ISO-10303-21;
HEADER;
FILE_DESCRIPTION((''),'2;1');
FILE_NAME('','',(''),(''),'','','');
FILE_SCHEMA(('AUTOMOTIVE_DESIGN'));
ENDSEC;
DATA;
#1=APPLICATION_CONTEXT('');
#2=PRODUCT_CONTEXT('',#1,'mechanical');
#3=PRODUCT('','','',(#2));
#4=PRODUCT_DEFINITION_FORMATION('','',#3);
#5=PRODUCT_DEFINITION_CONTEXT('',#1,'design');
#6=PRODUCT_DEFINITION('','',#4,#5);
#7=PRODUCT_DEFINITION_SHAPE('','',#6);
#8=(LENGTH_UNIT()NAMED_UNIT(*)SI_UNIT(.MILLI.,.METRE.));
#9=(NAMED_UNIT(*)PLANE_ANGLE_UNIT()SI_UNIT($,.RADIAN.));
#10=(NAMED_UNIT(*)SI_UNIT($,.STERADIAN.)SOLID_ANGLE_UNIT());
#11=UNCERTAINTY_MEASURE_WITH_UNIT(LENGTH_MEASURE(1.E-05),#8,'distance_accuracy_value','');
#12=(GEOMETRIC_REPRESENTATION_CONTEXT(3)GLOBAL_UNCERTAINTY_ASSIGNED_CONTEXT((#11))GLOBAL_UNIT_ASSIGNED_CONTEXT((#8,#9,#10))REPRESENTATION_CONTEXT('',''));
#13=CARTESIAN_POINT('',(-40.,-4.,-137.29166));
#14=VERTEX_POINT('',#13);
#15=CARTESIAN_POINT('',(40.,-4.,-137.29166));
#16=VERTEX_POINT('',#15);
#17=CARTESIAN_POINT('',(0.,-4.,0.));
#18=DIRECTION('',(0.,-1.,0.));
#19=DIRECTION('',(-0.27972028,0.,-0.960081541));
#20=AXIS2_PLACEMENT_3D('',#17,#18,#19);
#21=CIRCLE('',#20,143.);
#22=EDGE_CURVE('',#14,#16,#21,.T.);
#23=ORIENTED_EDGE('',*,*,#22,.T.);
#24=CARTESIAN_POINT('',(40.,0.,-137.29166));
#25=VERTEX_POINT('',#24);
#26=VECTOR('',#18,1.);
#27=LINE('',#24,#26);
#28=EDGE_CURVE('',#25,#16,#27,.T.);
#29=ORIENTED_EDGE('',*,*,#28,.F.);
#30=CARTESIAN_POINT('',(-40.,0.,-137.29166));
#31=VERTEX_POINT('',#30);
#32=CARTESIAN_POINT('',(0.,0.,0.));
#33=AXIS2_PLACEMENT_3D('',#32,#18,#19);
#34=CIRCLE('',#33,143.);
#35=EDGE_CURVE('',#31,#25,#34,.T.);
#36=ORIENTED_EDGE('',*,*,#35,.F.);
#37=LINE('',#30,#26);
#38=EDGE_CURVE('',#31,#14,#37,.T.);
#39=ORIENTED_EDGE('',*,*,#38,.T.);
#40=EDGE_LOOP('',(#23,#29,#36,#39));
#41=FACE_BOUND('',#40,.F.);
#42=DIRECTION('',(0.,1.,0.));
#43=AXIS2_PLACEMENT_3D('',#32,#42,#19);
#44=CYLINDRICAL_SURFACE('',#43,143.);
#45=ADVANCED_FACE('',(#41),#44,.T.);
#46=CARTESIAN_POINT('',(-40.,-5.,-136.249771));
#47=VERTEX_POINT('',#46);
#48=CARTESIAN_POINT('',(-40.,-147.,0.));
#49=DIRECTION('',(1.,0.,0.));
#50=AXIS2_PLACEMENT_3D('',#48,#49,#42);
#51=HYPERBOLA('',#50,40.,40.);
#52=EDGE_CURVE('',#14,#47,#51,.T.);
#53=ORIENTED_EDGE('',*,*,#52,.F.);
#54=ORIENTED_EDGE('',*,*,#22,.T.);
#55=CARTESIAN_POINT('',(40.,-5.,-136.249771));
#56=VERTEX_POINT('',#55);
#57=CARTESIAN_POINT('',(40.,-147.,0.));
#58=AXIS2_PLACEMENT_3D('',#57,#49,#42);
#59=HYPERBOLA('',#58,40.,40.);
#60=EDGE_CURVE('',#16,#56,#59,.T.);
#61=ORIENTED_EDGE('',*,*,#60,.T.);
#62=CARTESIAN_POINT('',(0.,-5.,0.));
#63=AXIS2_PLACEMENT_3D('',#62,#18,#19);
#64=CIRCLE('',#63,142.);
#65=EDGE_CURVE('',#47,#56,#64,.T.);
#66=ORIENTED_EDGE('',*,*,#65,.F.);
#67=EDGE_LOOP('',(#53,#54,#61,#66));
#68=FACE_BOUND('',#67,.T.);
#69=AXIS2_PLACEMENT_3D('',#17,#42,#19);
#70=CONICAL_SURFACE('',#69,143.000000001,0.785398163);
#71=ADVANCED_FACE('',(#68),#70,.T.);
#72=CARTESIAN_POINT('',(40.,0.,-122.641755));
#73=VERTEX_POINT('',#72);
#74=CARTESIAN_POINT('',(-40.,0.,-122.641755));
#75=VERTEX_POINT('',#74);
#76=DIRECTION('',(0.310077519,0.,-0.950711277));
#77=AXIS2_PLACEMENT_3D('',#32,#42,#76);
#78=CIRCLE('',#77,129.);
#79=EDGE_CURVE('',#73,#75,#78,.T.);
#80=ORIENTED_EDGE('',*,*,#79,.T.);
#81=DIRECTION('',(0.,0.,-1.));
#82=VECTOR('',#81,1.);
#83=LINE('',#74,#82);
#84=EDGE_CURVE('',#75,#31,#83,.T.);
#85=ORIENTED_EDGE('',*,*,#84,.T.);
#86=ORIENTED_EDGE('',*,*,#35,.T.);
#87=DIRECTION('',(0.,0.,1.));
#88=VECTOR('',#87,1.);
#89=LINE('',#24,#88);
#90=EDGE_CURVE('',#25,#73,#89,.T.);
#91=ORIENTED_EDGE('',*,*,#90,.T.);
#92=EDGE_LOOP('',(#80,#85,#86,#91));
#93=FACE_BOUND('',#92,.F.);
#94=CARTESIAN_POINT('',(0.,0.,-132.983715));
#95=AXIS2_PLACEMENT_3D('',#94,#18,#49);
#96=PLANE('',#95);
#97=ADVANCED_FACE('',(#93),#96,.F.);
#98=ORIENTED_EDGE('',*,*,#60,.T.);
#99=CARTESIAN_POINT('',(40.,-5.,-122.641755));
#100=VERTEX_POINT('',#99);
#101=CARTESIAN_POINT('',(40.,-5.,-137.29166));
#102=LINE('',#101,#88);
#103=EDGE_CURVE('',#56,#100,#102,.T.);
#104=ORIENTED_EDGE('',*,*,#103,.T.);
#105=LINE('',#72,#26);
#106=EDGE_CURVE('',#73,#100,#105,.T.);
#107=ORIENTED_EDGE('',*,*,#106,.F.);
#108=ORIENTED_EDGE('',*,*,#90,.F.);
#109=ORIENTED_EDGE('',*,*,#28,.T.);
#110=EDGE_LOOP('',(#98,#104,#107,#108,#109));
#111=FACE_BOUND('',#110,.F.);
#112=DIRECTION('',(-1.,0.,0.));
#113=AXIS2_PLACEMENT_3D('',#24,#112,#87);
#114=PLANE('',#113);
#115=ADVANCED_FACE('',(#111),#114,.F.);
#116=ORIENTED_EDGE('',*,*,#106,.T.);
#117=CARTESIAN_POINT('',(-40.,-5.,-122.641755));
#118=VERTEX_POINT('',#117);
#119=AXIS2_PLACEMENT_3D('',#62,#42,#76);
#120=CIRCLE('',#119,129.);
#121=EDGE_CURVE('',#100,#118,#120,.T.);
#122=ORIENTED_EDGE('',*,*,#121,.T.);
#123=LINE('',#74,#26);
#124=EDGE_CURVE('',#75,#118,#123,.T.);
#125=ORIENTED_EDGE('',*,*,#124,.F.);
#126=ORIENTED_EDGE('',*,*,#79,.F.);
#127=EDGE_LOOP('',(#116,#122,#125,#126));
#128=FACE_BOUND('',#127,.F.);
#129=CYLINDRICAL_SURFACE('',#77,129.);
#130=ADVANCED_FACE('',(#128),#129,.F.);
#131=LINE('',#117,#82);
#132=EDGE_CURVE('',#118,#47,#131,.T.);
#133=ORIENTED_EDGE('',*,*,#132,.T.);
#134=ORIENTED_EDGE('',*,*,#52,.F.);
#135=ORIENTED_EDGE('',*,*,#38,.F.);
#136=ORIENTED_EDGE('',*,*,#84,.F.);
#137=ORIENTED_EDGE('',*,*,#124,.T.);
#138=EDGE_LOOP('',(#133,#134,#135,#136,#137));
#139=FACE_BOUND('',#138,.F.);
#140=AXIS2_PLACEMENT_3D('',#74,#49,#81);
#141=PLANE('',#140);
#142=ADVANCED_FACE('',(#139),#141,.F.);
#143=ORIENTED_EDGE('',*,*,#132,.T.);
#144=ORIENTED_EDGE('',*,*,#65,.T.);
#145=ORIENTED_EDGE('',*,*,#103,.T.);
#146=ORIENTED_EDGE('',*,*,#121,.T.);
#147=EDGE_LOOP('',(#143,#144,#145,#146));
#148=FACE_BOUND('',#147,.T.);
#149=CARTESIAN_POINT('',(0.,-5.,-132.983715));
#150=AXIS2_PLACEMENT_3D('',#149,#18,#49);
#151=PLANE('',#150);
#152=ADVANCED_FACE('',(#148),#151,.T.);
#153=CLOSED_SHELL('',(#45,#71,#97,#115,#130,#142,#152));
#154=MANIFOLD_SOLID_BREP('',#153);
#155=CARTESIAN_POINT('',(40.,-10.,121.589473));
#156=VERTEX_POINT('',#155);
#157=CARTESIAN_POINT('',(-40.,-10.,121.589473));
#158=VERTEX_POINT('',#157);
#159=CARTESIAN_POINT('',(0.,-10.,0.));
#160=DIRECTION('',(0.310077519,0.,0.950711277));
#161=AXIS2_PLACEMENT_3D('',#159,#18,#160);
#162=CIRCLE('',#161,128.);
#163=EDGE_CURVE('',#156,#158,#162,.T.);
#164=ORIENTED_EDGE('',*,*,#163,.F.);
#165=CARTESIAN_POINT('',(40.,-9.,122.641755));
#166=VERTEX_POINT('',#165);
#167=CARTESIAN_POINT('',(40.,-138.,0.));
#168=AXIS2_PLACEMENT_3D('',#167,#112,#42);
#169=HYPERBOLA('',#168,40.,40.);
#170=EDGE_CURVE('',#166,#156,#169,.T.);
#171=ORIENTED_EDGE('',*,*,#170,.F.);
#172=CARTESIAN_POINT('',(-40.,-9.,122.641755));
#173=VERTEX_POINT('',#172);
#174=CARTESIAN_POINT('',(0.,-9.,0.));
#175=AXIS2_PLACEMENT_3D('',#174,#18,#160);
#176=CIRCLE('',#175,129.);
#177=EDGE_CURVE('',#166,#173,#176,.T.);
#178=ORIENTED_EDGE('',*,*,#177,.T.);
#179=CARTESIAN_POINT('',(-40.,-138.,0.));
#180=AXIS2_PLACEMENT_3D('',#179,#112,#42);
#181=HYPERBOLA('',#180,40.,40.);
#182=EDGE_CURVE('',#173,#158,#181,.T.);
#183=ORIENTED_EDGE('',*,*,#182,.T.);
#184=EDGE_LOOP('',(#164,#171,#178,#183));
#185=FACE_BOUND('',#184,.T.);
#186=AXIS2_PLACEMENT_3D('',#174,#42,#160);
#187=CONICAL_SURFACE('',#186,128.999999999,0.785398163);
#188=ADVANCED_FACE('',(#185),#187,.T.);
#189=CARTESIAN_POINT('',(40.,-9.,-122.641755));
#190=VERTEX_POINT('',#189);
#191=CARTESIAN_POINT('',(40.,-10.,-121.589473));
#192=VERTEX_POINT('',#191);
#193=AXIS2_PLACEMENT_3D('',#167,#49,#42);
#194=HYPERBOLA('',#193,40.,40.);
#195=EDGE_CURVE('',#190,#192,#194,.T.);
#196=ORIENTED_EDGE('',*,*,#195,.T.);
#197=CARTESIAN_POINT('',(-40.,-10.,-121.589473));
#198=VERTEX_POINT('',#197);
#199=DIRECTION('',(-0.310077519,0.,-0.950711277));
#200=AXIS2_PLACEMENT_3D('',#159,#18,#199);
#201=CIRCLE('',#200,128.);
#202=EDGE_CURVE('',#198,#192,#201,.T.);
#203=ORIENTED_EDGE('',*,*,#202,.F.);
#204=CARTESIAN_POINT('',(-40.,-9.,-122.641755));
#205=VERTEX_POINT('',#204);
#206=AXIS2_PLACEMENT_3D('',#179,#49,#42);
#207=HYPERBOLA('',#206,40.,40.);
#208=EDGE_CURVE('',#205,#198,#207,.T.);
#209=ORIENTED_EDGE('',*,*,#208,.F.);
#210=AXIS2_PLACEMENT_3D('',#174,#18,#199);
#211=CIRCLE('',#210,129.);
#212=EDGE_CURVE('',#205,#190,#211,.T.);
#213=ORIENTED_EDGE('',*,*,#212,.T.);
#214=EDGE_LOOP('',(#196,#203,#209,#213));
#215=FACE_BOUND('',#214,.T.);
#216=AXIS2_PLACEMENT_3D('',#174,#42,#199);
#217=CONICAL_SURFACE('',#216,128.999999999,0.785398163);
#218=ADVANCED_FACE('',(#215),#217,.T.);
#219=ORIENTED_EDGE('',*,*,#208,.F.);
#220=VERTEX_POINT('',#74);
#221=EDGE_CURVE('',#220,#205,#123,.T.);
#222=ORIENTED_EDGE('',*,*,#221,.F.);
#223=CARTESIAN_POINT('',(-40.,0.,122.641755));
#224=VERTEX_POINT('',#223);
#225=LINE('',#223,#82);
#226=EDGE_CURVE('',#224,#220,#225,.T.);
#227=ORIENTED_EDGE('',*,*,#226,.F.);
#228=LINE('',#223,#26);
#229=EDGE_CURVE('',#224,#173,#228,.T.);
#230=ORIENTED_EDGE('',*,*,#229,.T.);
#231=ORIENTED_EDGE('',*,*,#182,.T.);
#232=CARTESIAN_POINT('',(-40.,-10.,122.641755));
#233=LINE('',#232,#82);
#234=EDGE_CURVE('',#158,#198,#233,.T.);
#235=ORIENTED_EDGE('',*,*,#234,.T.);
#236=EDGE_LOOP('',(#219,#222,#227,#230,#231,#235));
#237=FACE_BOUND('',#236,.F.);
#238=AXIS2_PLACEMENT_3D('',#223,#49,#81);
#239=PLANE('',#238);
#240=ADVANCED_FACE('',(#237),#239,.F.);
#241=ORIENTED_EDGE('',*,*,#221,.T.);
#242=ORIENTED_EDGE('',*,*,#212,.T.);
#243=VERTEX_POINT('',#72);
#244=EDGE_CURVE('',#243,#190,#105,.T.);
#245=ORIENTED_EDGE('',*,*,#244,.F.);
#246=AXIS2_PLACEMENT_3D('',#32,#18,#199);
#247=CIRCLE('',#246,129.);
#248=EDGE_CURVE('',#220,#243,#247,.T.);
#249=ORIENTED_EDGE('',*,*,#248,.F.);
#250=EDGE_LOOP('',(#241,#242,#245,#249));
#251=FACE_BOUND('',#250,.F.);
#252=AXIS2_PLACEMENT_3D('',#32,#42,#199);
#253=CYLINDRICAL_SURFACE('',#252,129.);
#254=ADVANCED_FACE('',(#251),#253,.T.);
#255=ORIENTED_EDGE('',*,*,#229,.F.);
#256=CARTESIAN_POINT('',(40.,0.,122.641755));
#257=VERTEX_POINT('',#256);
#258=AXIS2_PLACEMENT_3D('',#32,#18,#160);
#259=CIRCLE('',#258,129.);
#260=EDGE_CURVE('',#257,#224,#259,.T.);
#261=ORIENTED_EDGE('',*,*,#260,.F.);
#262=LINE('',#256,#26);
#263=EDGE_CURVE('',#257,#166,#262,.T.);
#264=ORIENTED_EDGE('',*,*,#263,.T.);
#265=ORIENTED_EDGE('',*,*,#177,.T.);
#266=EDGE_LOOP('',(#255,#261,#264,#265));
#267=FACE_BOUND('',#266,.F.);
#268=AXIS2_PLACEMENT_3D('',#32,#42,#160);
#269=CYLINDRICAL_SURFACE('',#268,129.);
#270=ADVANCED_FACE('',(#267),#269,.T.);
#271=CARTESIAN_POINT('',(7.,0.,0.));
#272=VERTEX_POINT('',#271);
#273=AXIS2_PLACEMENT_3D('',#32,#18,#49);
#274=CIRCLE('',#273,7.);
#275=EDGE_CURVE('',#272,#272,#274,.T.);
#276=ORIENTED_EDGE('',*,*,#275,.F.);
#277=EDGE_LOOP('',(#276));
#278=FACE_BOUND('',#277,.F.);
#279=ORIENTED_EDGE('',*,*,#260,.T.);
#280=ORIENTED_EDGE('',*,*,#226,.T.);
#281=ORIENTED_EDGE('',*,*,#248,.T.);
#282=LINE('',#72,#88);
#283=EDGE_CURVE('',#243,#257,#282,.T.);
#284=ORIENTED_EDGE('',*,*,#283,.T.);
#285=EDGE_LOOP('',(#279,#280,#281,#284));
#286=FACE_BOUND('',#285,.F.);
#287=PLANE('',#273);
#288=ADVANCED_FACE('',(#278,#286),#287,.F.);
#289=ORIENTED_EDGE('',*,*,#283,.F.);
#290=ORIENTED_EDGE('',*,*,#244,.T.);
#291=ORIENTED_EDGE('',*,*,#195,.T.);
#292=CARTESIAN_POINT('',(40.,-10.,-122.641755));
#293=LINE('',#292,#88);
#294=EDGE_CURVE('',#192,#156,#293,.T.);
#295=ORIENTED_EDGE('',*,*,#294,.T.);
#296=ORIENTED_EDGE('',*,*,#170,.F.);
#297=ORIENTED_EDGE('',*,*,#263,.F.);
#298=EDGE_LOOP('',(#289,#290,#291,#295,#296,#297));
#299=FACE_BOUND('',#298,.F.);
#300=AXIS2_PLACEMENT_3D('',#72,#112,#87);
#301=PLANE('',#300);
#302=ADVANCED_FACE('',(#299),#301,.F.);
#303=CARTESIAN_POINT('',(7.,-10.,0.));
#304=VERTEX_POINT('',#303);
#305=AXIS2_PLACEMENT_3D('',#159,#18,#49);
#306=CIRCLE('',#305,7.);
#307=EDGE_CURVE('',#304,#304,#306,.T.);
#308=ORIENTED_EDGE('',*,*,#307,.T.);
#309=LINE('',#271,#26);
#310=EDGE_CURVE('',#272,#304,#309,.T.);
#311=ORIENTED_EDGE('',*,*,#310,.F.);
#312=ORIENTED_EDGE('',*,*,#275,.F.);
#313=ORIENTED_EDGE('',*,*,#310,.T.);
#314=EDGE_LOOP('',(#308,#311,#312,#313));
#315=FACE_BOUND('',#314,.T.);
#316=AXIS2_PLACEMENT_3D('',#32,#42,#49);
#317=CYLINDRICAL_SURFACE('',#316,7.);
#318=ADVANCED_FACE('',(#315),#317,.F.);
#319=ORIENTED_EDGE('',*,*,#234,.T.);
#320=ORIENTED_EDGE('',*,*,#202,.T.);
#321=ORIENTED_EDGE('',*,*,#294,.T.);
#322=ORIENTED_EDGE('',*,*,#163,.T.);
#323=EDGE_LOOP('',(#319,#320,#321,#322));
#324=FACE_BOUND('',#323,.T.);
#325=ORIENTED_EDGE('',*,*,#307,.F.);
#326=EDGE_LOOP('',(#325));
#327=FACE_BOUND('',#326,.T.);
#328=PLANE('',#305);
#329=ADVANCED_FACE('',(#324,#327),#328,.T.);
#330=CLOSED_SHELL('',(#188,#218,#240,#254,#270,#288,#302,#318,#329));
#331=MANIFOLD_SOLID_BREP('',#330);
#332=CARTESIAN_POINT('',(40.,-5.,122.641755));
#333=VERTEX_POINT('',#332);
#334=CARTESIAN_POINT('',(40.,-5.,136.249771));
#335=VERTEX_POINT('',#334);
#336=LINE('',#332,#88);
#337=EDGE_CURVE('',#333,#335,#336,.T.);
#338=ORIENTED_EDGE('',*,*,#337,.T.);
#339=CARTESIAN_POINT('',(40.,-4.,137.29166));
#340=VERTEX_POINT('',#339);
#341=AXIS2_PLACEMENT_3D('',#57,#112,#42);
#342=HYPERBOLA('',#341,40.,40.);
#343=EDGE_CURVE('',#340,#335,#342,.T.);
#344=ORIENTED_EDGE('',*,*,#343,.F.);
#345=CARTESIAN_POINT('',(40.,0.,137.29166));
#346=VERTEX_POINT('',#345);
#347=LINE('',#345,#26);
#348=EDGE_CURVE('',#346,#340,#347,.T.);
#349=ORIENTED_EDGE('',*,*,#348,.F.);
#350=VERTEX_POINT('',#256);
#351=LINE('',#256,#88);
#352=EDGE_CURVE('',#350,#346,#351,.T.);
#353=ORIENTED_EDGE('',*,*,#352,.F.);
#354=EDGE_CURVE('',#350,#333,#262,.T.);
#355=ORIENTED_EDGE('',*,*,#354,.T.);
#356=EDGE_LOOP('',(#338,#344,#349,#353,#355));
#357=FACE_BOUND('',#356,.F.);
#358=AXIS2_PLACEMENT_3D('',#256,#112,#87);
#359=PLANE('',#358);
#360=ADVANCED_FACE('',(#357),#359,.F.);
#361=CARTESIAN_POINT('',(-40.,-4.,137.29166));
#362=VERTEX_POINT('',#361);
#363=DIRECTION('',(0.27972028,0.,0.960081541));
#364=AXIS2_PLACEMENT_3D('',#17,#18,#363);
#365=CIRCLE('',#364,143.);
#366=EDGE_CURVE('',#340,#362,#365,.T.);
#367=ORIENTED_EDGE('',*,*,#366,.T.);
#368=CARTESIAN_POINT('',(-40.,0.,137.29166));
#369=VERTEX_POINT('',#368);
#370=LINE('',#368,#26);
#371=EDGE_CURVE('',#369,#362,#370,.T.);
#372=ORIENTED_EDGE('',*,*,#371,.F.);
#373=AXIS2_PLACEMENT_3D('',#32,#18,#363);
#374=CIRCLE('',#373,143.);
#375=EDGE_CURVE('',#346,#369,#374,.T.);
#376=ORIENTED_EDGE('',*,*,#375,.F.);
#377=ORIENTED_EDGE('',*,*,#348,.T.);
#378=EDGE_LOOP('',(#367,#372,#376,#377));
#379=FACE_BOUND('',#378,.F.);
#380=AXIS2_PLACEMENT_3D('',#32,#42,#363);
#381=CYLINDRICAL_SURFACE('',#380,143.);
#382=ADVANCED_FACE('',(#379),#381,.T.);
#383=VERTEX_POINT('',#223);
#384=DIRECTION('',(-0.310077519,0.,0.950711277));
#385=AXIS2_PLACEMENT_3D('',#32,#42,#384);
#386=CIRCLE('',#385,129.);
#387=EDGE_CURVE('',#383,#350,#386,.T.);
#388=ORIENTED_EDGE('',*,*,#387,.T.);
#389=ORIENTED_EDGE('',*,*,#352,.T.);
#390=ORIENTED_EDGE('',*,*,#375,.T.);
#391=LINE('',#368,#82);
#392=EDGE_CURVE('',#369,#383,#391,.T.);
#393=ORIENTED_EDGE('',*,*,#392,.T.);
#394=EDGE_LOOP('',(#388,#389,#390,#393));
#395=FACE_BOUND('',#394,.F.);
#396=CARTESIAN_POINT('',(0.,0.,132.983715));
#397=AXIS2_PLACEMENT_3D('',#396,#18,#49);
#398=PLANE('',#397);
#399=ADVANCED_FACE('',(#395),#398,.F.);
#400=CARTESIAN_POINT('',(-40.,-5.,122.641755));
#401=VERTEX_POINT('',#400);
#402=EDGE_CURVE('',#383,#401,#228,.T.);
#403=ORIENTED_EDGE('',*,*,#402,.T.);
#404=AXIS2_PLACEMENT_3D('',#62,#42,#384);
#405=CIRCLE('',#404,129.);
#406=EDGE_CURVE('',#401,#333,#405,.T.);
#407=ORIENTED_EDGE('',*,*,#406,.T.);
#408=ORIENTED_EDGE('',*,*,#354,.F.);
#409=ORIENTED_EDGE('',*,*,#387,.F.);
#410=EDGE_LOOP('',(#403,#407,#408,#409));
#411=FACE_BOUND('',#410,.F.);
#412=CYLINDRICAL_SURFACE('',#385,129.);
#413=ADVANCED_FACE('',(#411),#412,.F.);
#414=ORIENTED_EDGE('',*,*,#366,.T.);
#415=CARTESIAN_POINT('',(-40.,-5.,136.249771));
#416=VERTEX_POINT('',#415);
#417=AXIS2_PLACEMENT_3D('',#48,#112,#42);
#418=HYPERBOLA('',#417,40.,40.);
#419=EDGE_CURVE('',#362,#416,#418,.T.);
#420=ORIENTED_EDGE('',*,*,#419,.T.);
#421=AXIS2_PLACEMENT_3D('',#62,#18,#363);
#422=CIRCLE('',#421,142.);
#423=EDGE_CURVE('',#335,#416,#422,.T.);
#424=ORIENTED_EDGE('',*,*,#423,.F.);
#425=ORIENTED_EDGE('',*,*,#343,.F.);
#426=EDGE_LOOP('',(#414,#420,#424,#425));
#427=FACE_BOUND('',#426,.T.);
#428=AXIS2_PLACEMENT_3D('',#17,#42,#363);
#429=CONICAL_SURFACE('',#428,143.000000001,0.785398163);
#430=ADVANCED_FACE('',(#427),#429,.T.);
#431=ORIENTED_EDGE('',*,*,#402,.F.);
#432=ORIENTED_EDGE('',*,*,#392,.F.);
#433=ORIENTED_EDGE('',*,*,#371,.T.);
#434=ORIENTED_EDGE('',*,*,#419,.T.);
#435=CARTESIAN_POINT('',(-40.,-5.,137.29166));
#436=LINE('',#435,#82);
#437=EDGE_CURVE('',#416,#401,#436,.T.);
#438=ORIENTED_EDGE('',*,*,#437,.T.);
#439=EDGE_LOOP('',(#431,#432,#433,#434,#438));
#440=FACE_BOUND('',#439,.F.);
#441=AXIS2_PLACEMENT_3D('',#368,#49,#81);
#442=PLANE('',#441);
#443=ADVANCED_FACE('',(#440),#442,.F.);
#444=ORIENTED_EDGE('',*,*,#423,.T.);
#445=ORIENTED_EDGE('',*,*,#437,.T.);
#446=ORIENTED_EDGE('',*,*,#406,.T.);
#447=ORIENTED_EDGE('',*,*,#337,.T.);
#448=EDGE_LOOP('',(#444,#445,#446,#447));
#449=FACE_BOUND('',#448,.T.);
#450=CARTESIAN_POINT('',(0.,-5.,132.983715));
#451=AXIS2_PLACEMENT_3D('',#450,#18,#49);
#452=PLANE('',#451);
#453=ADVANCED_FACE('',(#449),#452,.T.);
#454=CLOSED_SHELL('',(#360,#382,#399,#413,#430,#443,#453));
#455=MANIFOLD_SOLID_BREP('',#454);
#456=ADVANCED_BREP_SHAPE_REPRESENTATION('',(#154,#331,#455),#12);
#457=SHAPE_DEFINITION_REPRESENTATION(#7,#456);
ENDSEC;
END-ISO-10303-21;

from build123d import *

# Parameters (mm, degrees)
F1_DEPTH  = 5
F0_R      = 7
F2_DEPTH  = 10
F3_SIZE   = 1
F3_2_SIZE = 1
F3_3_SIZE = 1


with BuildPart() as f1:
    # F0 (on Front) → F1 (new body)
    with BuildSketch(Plane.XZ):
        with BuildLine():
            ThreePointArc((-40, -137.291660344), (0, -143), (40, -137.291660344))
            Line((40, -137.291660344), (40, -122.6417547167))
            ThreePointArc((40, -122.6417547167), (0, -129), (-40, -122.6417547167))
            Line((-40, -122.6417547167), (-40, -137.291660344))
        make_face()
    extrude(amount=F1_DEPTH)

    # F3
    f3_edges = [f1.edges().sort_by_distance(p)[0] for p in [
        (0, -5, -143),
    ]]
    chamfer(f3_edges, length=F3_SIZE)


with BuildPart() as f1b:
    # F0 (on Front) → F1, piece 2 (new body)
    with BuildSketch(Plane.XZ):
        with BuildLine():
            Line((40, 122.6417547167), (40, 137.291660344))
            ThreePointArc((40, 137.291660344), (0, 143), (-40, 137.291660344))
            Line((-40, 137.291660344), (-40, 122.6417547167))
            ThreePointArc((-40, 122.6417547167), (0, 129), (40, 122.6417547167))
        make_face()
    extrude(amount=F1_DEPTH)

    # F3#3
    f3_3_edges = [f1b.edges().sort_by_distance(p)[0] for p in [
        (0, -5, 143),
    ]]
    chamfer(f3_3_edges, length=F3_3_SIZE)


with BuildPart() as f2:
    # F0 (on Front) → F2 (new body)
    with BuildSketch(Plane.XZ):
        with BuildLine():
            Line((40, -122.6417547167), (40, 122.6417547167))
            ThreePointArc((40, 122.6417547167), (0, 129), (-40, 122.6417547167))
            Line((-40, 122.6417547167), (-40, -122.6417547167))
            ThreePointArc((-40, -122.6417547167), (0, -129), (40, -122.6417547167))
        make_face()
        Circle(F0_R, mode=Mode.SUBTRACT)
    extrude(amount=F2_DEPTH)

    # F3#2
    f3_2_edges = [f2.edges().sort_by_distance(p)[0] for p in [
        (0, -10, -129),
        (0, -10, 129),
    ]]
    chamfer(f3_2_edges, length=F3_2_SIZE)


solid = Compound([f1.part, f1b.part, f2.part])
